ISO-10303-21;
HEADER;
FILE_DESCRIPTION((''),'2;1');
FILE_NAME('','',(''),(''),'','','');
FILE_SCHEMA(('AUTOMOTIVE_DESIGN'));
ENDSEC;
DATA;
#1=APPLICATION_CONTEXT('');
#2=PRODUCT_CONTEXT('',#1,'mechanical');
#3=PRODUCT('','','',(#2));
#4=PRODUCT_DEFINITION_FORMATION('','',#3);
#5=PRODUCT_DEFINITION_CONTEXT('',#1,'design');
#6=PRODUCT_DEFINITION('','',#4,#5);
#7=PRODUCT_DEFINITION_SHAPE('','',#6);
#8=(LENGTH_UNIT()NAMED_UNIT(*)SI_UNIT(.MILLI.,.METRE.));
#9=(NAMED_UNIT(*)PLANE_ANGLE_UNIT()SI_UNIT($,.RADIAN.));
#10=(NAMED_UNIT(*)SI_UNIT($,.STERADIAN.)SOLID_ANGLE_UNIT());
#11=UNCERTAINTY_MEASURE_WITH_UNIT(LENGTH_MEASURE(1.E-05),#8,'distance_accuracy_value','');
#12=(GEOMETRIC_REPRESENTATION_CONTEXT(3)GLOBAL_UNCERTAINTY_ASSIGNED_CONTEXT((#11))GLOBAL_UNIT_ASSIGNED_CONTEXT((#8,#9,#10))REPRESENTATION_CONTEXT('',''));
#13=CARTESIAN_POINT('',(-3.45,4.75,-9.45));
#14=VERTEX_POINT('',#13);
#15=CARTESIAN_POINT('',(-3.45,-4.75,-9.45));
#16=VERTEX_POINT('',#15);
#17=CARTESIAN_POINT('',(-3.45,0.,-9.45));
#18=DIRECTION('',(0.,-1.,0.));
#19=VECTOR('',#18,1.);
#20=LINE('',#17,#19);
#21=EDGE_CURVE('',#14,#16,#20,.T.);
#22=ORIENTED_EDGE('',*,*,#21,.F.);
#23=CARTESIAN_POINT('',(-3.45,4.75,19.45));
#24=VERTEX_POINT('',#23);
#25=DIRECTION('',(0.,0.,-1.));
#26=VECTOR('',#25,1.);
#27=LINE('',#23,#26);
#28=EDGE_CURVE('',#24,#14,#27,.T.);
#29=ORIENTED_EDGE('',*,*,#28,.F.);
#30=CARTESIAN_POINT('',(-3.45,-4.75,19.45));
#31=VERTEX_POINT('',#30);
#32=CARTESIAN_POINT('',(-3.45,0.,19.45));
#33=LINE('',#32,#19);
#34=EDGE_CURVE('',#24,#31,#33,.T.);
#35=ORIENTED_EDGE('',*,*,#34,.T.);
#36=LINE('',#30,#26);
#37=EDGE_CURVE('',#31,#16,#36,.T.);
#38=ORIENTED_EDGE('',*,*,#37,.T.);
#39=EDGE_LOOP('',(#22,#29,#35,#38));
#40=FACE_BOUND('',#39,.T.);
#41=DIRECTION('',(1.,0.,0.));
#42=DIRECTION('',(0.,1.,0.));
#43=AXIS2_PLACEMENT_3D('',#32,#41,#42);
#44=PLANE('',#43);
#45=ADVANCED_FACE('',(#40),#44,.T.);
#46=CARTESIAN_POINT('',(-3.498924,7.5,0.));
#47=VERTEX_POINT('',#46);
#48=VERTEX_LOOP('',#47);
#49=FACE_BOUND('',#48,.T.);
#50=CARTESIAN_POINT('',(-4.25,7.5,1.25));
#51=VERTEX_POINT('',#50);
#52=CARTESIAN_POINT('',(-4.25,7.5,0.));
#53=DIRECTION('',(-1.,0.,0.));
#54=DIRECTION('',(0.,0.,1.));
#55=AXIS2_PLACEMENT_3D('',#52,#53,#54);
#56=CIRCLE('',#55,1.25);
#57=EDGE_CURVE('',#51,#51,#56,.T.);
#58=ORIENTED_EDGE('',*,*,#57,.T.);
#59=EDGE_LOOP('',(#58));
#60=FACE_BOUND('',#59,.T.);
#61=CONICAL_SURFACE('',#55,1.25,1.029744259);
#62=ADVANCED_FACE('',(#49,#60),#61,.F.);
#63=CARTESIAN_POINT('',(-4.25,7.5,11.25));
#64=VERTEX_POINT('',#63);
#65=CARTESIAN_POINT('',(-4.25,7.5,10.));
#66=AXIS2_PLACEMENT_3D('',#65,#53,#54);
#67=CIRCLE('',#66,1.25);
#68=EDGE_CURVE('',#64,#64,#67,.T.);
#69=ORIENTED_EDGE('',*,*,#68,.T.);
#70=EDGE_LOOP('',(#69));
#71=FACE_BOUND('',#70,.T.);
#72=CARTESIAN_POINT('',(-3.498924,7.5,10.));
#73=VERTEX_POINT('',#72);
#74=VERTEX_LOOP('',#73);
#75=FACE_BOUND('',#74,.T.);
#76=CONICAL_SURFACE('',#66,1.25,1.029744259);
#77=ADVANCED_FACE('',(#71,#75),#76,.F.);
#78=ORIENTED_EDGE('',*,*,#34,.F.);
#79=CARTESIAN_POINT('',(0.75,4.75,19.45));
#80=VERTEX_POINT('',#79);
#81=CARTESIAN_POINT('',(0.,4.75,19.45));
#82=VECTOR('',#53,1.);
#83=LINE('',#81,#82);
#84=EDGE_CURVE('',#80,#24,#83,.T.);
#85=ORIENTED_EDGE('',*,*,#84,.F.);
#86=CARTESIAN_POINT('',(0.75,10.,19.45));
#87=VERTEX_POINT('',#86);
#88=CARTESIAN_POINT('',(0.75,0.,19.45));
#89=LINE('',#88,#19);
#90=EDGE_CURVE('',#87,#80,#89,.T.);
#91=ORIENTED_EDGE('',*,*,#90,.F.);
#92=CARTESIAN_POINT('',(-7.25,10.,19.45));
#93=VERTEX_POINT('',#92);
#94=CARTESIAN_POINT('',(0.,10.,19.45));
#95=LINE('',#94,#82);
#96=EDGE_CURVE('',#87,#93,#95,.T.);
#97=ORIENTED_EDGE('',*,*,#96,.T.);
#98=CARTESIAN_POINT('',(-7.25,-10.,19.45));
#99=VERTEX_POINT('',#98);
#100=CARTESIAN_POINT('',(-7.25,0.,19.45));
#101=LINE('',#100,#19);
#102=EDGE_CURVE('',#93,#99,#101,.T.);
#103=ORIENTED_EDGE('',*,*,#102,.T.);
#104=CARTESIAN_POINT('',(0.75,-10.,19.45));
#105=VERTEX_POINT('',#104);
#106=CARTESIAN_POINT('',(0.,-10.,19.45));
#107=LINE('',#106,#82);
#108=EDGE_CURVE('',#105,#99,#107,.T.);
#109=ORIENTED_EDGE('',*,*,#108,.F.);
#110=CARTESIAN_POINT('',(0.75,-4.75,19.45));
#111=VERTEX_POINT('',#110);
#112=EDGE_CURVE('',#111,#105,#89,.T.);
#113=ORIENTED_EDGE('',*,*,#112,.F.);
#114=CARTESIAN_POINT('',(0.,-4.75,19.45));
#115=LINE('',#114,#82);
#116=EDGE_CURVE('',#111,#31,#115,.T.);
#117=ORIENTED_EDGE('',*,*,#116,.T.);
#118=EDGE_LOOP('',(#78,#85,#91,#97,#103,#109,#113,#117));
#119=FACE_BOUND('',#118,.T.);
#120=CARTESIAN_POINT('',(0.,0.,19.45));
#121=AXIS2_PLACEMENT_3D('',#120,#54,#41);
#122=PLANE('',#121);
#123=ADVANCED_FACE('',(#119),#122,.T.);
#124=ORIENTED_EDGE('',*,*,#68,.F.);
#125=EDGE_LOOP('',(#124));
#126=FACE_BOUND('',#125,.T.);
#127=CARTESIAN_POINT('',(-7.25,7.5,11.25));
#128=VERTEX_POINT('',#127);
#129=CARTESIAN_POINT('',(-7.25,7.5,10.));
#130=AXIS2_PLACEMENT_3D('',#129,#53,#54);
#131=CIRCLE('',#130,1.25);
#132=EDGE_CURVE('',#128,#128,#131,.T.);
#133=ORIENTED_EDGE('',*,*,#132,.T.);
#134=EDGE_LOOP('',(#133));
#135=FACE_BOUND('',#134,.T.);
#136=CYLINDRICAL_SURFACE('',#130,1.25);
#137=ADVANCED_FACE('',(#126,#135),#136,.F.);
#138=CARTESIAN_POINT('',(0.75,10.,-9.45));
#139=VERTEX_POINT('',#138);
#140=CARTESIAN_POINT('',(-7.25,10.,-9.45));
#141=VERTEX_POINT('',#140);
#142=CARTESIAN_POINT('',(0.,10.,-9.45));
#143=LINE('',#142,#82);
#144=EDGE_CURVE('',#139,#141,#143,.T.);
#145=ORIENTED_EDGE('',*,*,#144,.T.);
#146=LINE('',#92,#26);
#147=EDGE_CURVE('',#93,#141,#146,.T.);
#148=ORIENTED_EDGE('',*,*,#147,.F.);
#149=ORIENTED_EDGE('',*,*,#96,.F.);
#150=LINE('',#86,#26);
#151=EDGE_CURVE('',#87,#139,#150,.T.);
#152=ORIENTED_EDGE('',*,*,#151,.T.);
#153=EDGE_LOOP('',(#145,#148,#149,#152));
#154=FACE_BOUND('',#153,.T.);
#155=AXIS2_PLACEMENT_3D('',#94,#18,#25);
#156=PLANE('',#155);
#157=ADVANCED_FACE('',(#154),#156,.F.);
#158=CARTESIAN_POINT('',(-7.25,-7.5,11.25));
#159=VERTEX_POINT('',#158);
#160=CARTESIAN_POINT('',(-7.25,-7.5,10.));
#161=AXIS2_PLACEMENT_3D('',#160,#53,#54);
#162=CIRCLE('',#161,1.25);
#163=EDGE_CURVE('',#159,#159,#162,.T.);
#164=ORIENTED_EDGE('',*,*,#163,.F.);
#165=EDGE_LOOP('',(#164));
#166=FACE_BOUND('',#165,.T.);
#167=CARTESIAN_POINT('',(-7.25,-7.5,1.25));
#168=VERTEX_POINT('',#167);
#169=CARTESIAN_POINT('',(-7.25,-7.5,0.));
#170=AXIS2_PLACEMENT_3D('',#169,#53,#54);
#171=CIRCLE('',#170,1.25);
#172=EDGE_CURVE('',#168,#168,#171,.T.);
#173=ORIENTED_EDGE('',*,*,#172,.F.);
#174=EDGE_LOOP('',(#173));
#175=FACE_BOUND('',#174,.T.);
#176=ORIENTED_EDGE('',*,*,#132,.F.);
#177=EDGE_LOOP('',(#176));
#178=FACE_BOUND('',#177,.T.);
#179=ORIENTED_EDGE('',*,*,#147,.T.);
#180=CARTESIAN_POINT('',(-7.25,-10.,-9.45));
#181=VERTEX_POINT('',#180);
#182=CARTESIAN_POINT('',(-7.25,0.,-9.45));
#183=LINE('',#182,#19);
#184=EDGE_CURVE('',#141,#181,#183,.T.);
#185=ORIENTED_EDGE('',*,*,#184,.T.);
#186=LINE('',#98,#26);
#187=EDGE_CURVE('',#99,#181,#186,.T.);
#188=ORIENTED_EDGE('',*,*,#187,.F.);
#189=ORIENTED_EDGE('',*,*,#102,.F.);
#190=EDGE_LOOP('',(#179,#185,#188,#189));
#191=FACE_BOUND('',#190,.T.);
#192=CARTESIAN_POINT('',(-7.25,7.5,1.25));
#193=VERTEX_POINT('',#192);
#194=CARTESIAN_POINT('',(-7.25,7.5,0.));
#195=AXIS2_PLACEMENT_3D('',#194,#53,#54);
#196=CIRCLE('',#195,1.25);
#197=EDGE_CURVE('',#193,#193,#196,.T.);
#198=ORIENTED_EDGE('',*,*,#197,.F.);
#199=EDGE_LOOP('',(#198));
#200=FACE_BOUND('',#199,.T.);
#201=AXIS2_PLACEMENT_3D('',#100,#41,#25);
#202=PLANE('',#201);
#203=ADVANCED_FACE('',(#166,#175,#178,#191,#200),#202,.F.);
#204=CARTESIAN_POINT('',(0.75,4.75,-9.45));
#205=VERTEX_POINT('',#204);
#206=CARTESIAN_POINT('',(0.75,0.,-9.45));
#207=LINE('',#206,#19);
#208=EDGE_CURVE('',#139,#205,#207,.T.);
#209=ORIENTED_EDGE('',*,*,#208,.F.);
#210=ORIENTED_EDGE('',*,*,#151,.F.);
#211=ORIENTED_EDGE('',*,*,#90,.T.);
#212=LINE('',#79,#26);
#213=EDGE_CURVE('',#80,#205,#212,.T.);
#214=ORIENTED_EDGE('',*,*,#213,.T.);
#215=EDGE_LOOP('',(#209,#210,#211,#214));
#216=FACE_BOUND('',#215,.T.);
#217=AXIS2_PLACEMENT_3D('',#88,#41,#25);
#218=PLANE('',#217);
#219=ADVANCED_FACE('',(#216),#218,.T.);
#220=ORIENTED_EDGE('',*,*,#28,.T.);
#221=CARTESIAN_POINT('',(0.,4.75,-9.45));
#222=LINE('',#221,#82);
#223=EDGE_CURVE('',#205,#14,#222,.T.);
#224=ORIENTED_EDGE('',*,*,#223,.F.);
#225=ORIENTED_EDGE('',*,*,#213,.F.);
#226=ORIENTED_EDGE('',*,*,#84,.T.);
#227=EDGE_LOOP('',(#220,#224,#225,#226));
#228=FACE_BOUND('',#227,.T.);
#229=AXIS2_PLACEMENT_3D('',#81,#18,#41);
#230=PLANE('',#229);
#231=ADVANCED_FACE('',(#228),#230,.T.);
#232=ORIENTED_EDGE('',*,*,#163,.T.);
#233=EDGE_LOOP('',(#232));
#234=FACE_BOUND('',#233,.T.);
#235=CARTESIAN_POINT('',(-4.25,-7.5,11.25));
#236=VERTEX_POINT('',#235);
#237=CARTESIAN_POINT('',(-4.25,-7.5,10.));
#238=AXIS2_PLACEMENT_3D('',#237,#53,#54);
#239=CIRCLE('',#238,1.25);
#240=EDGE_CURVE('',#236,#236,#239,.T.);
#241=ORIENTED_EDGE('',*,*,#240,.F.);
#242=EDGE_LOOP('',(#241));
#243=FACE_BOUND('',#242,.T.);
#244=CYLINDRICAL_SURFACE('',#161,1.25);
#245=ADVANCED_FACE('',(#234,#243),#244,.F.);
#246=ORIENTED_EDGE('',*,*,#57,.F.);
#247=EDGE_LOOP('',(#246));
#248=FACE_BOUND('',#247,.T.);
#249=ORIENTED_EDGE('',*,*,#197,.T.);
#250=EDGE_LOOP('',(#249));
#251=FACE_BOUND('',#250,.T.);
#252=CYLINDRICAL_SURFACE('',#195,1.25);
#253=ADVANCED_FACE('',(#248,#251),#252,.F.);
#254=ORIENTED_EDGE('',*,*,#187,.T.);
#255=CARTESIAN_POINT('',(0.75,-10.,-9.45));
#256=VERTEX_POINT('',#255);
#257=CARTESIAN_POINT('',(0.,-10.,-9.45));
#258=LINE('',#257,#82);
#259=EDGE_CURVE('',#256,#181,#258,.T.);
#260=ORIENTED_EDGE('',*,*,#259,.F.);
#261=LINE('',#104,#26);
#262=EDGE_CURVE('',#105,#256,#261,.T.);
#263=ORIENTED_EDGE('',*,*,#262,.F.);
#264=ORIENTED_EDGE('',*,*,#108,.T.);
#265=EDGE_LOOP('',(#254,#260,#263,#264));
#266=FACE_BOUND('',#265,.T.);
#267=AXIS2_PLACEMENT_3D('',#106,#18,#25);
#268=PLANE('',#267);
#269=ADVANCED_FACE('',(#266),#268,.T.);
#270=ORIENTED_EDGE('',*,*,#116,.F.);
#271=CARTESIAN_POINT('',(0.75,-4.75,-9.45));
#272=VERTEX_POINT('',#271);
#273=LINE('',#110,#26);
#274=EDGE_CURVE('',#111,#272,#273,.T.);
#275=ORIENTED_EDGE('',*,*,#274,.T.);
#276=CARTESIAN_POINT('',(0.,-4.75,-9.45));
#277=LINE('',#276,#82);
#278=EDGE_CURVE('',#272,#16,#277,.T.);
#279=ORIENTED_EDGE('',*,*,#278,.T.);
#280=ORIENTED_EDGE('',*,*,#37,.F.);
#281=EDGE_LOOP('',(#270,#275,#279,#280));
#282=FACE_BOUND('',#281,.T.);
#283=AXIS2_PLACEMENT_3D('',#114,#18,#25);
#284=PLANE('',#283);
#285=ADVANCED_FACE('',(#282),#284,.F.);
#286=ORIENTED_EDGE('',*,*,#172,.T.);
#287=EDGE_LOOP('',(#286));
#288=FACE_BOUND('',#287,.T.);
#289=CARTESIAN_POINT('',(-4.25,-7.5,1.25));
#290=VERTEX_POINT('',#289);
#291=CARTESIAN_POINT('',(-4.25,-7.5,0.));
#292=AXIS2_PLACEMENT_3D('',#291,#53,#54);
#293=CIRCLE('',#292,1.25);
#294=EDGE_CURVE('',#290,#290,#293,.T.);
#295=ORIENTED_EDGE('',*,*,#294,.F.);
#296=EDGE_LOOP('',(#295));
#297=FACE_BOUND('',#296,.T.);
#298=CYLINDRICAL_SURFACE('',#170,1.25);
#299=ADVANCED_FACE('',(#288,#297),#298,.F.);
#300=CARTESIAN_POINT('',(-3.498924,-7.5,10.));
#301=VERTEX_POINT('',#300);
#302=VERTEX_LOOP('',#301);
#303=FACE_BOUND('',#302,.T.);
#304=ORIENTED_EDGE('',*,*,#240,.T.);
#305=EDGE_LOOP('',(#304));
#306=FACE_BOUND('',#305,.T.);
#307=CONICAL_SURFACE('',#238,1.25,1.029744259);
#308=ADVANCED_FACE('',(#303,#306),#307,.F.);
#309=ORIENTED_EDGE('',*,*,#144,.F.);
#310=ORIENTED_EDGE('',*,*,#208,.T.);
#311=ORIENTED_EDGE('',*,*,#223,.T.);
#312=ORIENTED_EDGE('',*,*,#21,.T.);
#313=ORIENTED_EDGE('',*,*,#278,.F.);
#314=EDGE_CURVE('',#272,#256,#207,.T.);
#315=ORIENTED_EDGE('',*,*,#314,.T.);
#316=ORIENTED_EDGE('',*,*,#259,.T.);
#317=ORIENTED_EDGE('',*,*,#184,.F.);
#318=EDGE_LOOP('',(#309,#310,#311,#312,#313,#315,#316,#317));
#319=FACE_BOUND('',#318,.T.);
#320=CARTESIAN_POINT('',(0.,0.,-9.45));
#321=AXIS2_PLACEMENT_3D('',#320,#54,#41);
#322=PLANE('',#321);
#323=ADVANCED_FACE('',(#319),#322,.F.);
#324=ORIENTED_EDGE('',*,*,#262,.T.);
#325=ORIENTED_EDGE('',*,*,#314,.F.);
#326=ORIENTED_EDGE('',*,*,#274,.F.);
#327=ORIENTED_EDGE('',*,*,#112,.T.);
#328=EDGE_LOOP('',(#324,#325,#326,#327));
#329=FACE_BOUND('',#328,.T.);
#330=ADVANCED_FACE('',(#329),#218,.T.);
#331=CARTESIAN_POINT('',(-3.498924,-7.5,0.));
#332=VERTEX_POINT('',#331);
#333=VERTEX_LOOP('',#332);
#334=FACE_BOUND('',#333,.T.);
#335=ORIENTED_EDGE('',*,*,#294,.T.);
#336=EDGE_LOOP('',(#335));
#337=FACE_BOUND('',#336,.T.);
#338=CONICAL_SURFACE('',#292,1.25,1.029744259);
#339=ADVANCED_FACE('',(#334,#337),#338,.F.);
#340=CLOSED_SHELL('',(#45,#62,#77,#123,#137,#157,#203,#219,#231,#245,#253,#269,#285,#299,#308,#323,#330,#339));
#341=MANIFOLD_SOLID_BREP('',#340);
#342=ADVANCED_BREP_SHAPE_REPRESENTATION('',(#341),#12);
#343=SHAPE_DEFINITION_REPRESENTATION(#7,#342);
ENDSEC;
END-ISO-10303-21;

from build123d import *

# Parameters (mm, degrees)
SKETCH1_W                      = 6.5
SKETCH1_H                      = 9
BOSS_EXTRUDE1_DEPTH            = 150
BOSS_EXTRUDE2_DEPTH            = 14.45
M3X0_5_TAPPED_HOLE1_AT_2_COUNT = 2
M3X0_5_TAPPED_HOLE1_AT_2_PITCH = 18.027756377
M3X0_5_TAPPED_HOLE1_AT_3_COUNT = 2
M3X0_5_TAPPED_HOLE1_AT_3_PITCH = 15
M3X0_5_TAPPED_HOLE1_AT_4_COUNT = 2
M3X0_5_TAPPED_HOLE1_AT_4_PITCH = 10
LPATTERN1_COUNT                = 15
LPATTERN1_PITCH                = 20


with BuildPart() as part:
    # Sketch1 → Boss-Extrude1 (new body, symmetric)
    with BuildSketch(Plane.XY):
        Rectangle(SKETCH1_W, SKETCH1_H)
    extrude(amount=BOSS_EXTRUDE1_DEPTH, both=True)

    # Sketch6 → CBORE for M3 SHCS1 (revolve, cut)
    with BuildSketch(Plane(origin=(-3.25, 0, -140), x_dir=(0, 0, 1), z_dir=(0, 1, 0))):
        Polygon((0, 0), (0, 6.5), (1.8, 6.5), (1.8, 3), (3.25, 3), (3.25, 0), align=None)
    cbore_for_m3_shcs1 = revolve(axis=Axis((-9.6, 0, -140), (1, 0, 0)), mode=Mode.SUBTRACT)

    # LPattern1: CBORE for M3 SHCS1 ×15
    with Locations(*[(0, 0, i * LPATTERN1_PITCH) for i in range(1, LPATTERN1_COUNT)]):
        add(cbore_for_m3_shcs1, mode=Mode.SUBTRACT)


with BuildPart() as body_2:
    # Sketch2 → Boss-Extrude2 (new body, symmetric)
    with BuildSketch(Plane.XY):
        Polygon((0.75, 4.75), (0.75, 10), (-7.25, 10), (-7.25, -10), (0.75, -10), (0.75, -4.75), (-3.45, -4.75), (-3.45, 4.75), align=None)
    extrude(amount=BOSS_EXTRUDE2_DEPTH, both=True)

    # Sketch4 → M3x0.5 Tapped Hole1 (revolve, cut)
    with BuildSketch(Plane(origin=(-7.25, 7.5, -5), x_dir=(0, 0, 1), z_dir=(0, 1, 0))):
        Polygon((0, 0), (0, 3.751075774), (1.25, 3), (1.25, 0), align=None)
    m3x0_5_tapped_hole1 = revolve(axis=Axis((-13.6, 7.5, -5), (1, 0, 0)), mode=Mode.SUBTRACT)

    # M3x0.5 Tapped Hole1 at 2: M3x0.5 Tapped Hole1 ×2
    with Locations(*[Vector(0, -0.832050294, 0.554700196) * (i * M3X0_5_TAPPED_HOLE1_AT_2_PITCH) for i in range(1, M3X0_5_TAPPED_HOLE1_AT_2_COUNT)]):
        add(m3x0_5_tapped_hole1, mode=Mode.SUBTRACT)

    # M3x0.5 Tapped Hole1 at 3: M3x0.5 Tapped Hole1 ×2
    with Locations(*[(0, -i * M3X0_5_TAPPED_HOLE1_AT_3_PITCH, 0) for i in range(1, M3X0_5_TAPPED_HOLE1_AT_3_COUNT)]):
        add(m3x0_5_tapped_hole1, mode=Mode.SUBTRACT)

    # M3x0.5 Tapped Hole1 at 4: M3x0.5 Tapped Hole1 ×2
    with Locations(*[(0, 0, i * M3X0_5_TAPPED_HOLE1_AT_4_PITCH) for i in range(1, M3X0_5_TAPPED_HOLE1_AT_4_COUNT)]):
        add(m3x0_5_tapped_hole1, mode=Mode.SUBTRACT)


with BuildPart() as body_2_1:
    # Body-Move/Copy1: moved
    add(body_2.part.moved(Location((0, 0, 5))))


solid = body_2_1.part
